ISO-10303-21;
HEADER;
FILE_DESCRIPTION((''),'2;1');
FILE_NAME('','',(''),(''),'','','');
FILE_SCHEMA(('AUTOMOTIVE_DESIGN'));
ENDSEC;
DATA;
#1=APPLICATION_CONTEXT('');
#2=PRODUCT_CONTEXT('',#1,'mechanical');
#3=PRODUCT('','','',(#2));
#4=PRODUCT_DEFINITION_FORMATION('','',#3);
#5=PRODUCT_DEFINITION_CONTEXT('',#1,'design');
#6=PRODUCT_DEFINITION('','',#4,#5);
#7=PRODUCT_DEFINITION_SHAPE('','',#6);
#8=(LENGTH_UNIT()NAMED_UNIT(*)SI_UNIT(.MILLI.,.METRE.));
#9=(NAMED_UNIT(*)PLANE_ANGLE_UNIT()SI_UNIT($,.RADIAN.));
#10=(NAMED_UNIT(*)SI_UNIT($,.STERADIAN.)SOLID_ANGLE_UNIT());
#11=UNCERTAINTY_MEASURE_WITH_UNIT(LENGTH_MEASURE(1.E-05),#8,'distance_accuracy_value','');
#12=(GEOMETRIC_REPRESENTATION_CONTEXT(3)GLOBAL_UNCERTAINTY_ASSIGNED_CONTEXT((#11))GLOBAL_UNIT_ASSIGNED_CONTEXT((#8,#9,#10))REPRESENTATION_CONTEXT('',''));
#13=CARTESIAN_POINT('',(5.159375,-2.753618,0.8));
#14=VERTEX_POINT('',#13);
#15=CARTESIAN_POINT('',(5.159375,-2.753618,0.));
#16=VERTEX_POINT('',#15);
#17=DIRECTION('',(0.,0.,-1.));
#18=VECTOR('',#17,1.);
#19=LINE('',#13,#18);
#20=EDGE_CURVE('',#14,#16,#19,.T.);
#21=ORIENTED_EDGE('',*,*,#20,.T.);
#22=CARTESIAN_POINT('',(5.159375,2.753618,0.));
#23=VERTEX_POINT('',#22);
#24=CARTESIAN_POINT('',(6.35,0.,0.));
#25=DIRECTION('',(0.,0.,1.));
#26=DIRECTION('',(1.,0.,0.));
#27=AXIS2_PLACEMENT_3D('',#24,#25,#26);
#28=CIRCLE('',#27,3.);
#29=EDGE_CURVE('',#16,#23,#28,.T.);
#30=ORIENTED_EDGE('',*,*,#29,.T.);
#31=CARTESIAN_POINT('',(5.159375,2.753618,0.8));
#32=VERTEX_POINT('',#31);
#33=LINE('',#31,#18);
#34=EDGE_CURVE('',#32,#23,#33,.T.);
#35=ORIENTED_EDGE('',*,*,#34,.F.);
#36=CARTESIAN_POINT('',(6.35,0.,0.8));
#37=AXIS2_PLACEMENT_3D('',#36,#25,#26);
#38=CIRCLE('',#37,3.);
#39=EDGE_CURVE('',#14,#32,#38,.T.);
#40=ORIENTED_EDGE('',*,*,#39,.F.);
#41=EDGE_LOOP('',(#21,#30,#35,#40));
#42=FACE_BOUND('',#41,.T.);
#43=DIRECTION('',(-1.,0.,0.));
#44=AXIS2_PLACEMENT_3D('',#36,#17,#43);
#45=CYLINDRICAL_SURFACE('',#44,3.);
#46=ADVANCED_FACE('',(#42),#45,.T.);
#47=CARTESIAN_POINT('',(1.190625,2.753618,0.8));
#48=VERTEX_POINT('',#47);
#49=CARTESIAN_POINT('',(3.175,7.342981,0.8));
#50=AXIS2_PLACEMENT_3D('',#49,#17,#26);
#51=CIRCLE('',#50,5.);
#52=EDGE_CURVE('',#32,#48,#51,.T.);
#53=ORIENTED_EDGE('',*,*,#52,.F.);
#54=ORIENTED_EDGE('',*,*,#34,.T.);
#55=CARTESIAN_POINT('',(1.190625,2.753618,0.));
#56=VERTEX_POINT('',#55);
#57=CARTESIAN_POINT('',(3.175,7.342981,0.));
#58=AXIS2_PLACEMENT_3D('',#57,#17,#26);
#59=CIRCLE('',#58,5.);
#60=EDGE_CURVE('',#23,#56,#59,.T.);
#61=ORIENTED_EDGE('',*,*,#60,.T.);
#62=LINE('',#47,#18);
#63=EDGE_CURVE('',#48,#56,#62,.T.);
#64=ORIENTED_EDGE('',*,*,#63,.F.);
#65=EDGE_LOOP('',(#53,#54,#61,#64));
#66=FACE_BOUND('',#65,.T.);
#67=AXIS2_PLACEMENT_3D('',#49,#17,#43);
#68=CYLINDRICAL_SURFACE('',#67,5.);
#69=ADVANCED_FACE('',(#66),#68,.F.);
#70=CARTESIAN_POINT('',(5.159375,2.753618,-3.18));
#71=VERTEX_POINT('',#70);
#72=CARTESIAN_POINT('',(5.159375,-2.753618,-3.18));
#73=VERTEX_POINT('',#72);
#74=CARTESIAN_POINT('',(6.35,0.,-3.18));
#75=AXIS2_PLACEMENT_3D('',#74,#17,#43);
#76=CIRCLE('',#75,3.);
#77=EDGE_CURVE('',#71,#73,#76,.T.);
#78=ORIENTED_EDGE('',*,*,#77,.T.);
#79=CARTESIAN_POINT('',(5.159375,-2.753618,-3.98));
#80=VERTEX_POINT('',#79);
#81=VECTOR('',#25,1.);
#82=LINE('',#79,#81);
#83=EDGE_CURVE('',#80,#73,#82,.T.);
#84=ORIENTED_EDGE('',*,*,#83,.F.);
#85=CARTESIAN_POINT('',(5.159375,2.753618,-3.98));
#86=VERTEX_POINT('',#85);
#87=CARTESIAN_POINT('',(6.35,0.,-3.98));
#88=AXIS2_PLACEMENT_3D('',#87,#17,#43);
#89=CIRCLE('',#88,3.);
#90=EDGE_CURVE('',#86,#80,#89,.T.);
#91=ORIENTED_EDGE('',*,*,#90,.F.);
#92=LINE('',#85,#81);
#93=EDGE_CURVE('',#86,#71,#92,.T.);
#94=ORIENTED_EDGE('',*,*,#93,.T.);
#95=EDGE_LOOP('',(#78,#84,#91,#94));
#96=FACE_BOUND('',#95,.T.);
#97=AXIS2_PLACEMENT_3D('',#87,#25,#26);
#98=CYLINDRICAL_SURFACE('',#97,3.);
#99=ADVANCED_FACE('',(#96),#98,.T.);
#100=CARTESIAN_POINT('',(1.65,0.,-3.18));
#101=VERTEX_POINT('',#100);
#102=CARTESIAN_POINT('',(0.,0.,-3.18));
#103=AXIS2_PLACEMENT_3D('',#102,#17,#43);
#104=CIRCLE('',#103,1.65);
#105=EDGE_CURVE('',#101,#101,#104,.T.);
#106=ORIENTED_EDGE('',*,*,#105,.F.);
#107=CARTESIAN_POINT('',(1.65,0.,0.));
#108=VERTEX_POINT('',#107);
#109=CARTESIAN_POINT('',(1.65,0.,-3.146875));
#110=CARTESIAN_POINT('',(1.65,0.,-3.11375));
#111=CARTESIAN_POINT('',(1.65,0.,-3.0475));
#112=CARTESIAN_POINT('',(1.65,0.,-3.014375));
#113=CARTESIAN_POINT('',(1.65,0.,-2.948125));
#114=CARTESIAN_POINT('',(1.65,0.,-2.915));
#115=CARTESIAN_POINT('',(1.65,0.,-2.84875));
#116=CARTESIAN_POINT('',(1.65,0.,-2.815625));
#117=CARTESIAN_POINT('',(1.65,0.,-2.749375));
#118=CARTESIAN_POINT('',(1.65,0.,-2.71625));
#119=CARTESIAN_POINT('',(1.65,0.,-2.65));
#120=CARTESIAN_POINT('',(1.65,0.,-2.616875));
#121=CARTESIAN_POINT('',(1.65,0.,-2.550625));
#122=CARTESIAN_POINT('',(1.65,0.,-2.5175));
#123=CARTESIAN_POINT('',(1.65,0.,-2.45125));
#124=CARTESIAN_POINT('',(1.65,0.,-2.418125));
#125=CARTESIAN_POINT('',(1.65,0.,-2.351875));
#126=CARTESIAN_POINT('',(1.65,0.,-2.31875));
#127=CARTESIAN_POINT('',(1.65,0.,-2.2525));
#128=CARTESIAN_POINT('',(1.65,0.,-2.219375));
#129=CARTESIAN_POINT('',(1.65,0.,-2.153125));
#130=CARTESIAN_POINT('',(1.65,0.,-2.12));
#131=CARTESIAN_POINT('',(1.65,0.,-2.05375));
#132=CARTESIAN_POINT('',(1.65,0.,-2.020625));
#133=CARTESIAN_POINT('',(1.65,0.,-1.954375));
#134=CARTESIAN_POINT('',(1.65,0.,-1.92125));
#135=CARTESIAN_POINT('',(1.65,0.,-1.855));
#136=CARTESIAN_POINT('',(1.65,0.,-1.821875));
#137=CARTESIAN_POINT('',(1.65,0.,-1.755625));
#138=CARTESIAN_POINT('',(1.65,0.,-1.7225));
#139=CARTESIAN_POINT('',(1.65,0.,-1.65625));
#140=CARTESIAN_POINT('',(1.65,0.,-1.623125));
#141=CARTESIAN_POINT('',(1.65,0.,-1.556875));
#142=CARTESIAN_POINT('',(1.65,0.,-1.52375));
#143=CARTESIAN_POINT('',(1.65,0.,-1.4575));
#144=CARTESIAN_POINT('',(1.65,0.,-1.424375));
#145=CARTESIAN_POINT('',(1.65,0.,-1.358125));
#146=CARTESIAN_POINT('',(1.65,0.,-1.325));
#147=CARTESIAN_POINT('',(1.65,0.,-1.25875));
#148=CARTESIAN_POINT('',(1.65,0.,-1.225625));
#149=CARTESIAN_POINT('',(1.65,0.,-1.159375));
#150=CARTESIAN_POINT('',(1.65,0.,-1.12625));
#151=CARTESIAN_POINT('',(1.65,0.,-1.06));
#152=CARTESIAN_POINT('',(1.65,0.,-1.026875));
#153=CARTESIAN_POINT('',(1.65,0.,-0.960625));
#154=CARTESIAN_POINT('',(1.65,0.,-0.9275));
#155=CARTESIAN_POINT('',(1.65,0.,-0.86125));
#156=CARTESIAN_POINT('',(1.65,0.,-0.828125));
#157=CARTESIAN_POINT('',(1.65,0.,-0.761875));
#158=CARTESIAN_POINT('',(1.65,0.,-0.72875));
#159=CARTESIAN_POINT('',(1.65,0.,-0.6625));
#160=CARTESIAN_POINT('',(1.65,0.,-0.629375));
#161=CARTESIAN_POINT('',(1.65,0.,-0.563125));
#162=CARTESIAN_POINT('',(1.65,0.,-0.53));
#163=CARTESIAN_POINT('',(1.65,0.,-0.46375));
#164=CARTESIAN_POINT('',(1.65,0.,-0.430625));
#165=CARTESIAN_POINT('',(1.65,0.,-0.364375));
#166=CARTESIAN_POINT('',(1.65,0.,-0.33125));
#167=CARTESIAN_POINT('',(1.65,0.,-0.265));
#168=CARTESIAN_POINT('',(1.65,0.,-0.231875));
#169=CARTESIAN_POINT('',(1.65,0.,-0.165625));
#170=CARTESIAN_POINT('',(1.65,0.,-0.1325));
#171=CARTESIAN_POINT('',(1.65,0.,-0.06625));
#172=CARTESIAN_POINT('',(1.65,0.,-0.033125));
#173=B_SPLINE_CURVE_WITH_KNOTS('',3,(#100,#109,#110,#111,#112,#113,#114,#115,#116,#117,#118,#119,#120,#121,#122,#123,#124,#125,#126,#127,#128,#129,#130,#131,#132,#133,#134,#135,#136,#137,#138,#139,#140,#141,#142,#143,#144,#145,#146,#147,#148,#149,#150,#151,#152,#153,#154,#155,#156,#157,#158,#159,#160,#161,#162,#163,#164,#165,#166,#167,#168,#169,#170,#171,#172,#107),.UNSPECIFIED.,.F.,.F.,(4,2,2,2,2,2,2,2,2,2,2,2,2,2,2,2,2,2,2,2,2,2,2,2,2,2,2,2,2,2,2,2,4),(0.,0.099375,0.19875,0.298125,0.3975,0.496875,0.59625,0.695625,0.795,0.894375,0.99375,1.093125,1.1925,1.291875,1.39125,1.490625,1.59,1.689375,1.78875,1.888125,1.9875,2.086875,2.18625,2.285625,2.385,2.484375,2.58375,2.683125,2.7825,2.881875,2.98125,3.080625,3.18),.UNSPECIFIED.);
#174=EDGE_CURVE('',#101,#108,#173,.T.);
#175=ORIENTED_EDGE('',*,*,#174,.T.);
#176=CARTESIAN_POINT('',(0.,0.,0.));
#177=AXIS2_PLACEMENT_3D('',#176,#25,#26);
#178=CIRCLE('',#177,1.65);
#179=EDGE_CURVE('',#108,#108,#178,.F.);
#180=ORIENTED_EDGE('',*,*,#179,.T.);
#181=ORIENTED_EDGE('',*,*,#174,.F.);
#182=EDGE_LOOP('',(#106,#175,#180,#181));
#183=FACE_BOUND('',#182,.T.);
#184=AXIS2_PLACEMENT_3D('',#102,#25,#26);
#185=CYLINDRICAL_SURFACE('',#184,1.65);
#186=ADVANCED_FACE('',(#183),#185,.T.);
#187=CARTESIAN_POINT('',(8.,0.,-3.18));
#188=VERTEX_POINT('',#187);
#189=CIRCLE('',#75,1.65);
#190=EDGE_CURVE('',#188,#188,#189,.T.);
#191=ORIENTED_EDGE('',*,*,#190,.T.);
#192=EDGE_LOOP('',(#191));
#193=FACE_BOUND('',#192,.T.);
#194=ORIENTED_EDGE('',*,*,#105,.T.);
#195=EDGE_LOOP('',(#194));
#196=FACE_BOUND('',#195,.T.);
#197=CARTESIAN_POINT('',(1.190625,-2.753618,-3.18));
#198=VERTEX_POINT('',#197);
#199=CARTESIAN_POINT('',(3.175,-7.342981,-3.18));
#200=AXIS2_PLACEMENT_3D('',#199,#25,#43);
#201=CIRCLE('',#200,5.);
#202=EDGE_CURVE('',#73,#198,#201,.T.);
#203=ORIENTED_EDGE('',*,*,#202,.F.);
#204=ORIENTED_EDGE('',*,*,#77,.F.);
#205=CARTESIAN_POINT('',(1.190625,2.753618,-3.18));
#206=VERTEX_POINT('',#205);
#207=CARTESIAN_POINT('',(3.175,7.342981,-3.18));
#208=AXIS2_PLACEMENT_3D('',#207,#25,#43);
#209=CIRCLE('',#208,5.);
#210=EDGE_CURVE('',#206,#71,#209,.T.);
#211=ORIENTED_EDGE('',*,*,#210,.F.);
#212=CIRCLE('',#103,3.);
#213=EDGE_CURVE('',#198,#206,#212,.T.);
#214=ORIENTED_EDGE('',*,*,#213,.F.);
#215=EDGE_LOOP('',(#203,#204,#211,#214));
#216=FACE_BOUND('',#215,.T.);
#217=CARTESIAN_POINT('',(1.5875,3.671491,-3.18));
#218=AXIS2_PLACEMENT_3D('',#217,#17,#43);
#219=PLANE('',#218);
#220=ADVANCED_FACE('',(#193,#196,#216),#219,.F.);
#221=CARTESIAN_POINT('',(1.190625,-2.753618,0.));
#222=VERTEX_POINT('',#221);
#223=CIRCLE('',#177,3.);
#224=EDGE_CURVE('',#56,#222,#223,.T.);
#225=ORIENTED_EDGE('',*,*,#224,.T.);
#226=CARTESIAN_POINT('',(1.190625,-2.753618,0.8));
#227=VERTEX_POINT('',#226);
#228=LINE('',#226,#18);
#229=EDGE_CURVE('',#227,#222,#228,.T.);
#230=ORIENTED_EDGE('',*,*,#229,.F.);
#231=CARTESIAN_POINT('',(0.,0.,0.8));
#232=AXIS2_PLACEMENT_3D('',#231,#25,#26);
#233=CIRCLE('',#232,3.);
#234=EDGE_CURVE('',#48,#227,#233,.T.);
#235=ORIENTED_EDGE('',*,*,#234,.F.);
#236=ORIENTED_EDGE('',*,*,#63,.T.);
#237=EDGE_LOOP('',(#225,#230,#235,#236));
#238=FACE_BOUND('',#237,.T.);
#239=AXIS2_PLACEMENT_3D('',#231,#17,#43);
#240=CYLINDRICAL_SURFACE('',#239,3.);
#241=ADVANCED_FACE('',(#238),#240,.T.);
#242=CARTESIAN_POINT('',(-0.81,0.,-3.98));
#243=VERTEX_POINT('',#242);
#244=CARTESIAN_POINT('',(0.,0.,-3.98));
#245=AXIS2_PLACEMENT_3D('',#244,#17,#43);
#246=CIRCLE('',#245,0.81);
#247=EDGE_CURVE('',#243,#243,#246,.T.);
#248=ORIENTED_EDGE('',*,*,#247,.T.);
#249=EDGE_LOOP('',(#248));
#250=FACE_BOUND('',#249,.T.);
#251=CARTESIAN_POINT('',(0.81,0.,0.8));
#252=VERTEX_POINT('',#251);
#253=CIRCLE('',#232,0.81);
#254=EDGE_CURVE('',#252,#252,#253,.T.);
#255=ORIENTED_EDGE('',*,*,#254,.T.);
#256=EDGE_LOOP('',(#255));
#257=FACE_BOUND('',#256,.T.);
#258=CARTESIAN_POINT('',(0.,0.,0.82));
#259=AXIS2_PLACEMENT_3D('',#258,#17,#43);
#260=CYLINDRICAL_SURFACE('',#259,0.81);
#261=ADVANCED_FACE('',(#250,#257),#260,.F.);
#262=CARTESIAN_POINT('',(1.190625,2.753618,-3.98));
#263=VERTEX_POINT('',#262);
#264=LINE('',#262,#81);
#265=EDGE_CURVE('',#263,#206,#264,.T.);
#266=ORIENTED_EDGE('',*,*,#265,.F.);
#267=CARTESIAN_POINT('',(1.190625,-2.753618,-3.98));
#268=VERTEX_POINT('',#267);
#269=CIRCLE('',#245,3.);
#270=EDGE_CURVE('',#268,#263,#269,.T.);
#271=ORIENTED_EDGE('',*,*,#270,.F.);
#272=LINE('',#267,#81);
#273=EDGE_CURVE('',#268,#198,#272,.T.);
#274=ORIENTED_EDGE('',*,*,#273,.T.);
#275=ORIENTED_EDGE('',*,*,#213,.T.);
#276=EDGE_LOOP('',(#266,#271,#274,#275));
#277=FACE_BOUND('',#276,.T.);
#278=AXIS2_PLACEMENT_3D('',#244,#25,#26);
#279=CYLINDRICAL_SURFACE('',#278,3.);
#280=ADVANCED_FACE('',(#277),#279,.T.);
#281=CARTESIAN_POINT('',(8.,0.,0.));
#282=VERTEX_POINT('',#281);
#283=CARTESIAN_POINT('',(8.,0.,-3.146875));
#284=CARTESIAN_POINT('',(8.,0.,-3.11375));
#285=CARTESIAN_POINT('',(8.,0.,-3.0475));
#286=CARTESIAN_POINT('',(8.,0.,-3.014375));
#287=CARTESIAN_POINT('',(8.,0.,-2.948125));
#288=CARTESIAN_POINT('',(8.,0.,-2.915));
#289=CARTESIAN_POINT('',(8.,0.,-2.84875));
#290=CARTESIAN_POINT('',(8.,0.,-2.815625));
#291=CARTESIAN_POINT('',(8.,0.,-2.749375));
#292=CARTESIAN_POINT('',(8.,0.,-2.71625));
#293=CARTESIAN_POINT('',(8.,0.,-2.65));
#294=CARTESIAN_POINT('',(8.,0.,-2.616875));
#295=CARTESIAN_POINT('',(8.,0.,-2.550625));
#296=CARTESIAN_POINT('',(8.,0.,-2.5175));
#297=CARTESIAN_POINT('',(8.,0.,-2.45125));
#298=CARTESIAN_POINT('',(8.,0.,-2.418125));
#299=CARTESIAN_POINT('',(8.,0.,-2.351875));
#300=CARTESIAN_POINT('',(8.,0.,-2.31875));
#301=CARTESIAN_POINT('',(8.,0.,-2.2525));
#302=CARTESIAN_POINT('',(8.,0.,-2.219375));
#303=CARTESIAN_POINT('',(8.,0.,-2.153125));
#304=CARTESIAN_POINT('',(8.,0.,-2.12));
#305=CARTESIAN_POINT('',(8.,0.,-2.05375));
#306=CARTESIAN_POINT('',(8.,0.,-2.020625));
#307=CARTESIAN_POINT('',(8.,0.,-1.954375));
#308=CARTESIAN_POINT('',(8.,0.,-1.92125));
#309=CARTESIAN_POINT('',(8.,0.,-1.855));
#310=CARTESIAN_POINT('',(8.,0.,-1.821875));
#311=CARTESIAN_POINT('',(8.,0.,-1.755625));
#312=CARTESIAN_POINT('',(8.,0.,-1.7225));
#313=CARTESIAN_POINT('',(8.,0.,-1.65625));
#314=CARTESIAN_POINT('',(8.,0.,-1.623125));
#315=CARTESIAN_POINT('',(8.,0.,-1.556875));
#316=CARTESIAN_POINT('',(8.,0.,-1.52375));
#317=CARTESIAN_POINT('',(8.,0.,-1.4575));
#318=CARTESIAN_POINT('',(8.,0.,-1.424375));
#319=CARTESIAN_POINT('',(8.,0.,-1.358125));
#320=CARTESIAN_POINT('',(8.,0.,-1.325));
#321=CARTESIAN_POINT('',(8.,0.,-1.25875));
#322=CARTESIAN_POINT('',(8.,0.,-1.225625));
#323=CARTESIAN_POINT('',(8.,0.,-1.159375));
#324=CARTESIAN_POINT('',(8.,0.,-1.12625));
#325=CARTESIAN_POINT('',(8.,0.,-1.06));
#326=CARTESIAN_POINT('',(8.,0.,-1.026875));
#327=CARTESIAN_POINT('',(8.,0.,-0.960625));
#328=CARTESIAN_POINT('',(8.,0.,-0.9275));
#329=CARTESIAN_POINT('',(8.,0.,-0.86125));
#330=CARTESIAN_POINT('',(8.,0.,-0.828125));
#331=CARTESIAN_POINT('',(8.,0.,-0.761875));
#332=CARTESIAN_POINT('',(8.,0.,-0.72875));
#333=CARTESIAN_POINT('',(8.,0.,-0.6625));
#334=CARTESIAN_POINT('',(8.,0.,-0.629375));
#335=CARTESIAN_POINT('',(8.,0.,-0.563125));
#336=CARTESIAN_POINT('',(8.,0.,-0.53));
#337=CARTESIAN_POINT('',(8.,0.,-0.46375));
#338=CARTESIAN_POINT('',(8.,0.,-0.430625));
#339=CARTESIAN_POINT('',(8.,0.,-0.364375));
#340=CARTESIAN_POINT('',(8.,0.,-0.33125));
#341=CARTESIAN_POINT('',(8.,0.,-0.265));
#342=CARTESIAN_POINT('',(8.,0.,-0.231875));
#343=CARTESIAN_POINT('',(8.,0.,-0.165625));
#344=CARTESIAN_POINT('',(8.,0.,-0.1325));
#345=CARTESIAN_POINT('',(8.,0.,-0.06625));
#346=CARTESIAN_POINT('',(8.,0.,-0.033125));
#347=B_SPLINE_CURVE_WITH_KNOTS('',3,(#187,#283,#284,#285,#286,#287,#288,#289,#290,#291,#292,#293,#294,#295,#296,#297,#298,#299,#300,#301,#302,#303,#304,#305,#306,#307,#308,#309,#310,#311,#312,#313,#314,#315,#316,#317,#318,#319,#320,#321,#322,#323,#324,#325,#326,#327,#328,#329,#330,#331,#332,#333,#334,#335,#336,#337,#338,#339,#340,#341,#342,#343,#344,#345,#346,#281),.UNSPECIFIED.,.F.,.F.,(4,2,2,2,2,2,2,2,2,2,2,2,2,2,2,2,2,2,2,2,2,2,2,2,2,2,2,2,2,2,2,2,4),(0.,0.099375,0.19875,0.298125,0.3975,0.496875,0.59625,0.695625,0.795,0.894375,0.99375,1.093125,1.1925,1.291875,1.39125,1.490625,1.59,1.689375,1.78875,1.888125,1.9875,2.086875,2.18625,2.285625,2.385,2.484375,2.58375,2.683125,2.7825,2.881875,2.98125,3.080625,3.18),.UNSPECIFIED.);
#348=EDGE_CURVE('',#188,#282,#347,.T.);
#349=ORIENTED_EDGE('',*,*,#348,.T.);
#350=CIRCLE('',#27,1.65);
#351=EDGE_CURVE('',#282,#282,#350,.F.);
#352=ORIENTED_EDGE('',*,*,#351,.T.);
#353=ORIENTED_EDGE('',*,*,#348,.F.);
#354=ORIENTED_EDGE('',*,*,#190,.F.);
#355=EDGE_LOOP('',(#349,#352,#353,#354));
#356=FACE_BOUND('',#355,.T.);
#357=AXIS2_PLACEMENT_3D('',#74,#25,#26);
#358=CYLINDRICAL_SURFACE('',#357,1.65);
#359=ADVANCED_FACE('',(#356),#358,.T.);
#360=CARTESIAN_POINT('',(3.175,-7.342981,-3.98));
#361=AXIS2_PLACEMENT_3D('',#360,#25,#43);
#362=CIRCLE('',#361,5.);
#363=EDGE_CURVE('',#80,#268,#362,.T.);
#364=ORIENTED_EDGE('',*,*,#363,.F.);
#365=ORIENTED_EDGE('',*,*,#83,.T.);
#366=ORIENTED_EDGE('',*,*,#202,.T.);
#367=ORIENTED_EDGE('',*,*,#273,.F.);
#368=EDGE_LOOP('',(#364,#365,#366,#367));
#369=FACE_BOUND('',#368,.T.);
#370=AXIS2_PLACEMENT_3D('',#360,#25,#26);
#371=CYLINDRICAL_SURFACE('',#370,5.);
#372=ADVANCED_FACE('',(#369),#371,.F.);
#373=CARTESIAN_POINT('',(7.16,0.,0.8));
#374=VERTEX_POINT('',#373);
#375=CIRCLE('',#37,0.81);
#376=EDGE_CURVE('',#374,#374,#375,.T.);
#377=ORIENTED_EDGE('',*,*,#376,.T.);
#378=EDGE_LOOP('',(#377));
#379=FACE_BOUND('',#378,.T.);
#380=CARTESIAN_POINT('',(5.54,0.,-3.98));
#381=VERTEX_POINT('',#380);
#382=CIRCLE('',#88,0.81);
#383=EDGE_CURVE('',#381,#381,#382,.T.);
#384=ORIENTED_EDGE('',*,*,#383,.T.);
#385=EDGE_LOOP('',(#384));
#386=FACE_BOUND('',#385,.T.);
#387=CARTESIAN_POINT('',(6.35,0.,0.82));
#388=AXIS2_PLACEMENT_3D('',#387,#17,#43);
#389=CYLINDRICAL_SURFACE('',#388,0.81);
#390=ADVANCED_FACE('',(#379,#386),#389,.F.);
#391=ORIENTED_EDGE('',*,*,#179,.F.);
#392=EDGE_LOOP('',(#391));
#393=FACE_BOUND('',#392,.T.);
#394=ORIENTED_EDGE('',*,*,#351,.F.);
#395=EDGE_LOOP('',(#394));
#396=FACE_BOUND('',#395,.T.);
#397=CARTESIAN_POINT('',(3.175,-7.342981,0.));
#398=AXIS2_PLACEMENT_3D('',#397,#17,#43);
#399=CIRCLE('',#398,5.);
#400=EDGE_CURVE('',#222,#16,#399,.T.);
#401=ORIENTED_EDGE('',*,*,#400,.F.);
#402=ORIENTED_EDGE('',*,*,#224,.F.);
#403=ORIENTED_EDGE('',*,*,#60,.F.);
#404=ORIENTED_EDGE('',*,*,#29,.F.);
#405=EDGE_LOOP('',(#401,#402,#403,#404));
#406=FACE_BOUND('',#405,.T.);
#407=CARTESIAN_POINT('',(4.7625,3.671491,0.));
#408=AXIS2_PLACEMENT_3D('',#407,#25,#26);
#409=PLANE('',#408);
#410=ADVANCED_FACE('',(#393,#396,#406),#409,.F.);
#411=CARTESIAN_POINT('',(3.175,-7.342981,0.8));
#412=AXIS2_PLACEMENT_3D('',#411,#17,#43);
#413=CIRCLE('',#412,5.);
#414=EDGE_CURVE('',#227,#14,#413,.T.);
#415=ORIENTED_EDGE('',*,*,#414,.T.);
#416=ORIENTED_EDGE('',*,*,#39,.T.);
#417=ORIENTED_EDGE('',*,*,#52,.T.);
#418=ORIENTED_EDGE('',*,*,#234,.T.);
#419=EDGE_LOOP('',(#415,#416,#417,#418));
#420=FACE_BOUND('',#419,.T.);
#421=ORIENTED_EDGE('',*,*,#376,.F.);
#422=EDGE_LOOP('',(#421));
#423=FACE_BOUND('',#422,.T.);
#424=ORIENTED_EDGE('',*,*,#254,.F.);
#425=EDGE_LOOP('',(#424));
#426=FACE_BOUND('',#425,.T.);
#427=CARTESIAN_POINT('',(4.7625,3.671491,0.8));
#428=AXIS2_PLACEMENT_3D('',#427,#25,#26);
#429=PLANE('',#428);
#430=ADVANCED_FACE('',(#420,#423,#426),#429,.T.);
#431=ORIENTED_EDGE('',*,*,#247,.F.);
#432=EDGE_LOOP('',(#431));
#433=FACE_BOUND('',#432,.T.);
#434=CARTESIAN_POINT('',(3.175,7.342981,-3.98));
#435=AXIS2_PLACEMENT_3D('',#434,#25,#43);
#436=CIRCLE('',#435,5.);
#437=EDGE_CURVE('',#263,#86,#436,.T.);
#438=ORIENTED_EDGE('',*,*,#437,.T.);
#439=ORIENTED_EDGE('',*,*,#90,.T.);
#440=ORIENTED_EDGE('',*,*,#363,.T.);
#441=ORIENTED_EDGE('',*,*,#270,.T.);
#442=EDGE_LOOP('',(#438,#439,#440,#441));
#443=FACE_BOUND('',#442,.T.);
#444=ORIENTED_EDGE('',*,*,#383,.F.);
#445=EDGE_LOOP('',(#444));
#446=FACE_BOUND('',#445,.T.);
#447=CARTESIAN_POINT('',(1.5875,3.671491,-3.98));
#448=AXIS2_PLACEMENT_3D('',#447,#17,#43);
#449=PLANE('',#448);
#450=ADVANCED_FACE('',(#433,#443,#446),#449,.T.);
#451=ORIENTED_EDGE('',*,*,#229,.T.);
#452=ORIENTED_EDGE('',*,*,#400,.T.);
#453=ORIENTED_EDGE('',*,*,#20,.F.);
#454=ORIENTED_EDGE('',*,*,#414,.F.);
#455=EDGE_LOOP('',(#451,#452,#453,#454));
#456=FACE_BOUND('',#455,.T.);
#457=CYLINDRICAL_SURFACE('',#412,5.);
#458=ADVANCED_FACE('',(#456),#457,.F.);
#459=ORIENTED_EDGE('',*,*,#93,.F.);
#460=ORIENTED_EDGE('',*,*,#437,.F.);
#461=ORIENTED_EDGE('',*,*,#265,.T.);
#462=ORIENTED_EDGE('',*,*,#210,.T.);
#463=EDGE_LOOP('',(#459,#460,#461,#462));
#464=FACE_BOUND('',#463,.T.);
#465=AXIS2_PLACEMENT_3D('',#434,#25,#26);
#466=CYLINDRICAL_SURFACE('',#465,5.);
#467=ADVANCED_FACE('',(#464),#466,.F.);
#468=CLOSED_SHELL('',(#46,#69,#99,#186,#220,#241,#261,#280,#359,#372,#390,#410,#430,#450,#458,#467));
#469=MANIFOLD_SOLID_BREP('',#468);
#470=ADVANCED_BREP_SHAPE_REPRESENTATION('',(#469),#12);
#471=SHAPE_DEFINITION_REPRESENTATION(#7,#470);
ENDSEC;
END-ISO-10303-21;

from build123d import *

# Parameters (mm, degrees)
EXTRUDE_1_DEPTH     = 0.8
SKETCH_2_R          = 1.65
EXTRUDE_2_DEPTH     = 3.18
EXTRUDE_START       = 0.8
EXTRUDE_3_DEPTH     = 0.8
SKETCH_5_R          = 0.81
CUT_EXTRUDE_1_DEPTH = 4.8


with BuildPart() as part:
    # 草图1 → 凸台-拉伸1 (new body)
    with BuildSketch(Plane.XY):
        with BuildLine():
            ThreePointArc((1.190625, 2.753618004), (-3, 0), (1.190625, -2.753618004))
            ThreePointArc((1.190625, -2.753618004), (3.175, -2.342981343), (5.159375, -2.753618004))
            ThreePointArc((5.159375, -2.753618004), (9.35, 0), (5.159375, 2.753618004))
            ThreePointArc((5.159375, 2.753618004), (3.175, 2.342981343), (1.190625, 2.753618004))
        make_face()
    extrude(amount=EXTRUDE_1_DEPTH)

    # 草图2 → 凸台-拉伸2 (add)
    with BuildSketch(Plane(origin=(0, 0, 0), x_dir=(-1, 0, 0), z_dir=(0, 0, -1))):
        with Locations(Location((-6.35, 0, 0), (0, 0, 180))):
            Circle(SKETCH_2_R)
        with Locations(Location((0, 0, 0), (0, 0, 180))):
            Circle(SKETCH_2_R)
    extrude(amount=EXTRUDE_2_DEPTH)

    # 草图3 → 凸台-拉伸3 (add)
    with BuildSketch(Plane(origin=(0, 0, -3.18), x_dir=(-1, 0, 0), z_dir=(0, 0, -1)).offset(EXTRUDE_START)):
        with BuildLine():
            ThreePointArc((-1.190625, -2.753618004), (-3.175, -2.342981343), (-5.159375, -2.753618004))
            ThreePointArc((-5.159375, -2.753618004), (-9.35, 0), (-5.159375, 2.753618004))
            ThreePointArc((-5.159375, 2.753618004), (-3.175, 2.342981343), (-1.190625, 2.753618004))
            ThreePointArc((-1.190625, 2.753618004), (3, 0), (-1.190625, -2.753618004))
        make_face()
    extrude(amount=-EXTRUDE_3_DEPTH)

    # 草图5 → 切除-拉伸1 (cut)
    with BuildSketch(Plane(origin=(0, 0, -3.98), x_dir=(-1, 0, 0), z_dir=(0, 0, -1))):
        with Locations((-6.35, 0)):
            Circle(SKETCH_5_R)
        Circle(SKETCH_5_R)
    extrude(amount=-CUT_EXTRUDE_1_DEPTH, mode=Mode.SUBTRACT)


solid = part.part
